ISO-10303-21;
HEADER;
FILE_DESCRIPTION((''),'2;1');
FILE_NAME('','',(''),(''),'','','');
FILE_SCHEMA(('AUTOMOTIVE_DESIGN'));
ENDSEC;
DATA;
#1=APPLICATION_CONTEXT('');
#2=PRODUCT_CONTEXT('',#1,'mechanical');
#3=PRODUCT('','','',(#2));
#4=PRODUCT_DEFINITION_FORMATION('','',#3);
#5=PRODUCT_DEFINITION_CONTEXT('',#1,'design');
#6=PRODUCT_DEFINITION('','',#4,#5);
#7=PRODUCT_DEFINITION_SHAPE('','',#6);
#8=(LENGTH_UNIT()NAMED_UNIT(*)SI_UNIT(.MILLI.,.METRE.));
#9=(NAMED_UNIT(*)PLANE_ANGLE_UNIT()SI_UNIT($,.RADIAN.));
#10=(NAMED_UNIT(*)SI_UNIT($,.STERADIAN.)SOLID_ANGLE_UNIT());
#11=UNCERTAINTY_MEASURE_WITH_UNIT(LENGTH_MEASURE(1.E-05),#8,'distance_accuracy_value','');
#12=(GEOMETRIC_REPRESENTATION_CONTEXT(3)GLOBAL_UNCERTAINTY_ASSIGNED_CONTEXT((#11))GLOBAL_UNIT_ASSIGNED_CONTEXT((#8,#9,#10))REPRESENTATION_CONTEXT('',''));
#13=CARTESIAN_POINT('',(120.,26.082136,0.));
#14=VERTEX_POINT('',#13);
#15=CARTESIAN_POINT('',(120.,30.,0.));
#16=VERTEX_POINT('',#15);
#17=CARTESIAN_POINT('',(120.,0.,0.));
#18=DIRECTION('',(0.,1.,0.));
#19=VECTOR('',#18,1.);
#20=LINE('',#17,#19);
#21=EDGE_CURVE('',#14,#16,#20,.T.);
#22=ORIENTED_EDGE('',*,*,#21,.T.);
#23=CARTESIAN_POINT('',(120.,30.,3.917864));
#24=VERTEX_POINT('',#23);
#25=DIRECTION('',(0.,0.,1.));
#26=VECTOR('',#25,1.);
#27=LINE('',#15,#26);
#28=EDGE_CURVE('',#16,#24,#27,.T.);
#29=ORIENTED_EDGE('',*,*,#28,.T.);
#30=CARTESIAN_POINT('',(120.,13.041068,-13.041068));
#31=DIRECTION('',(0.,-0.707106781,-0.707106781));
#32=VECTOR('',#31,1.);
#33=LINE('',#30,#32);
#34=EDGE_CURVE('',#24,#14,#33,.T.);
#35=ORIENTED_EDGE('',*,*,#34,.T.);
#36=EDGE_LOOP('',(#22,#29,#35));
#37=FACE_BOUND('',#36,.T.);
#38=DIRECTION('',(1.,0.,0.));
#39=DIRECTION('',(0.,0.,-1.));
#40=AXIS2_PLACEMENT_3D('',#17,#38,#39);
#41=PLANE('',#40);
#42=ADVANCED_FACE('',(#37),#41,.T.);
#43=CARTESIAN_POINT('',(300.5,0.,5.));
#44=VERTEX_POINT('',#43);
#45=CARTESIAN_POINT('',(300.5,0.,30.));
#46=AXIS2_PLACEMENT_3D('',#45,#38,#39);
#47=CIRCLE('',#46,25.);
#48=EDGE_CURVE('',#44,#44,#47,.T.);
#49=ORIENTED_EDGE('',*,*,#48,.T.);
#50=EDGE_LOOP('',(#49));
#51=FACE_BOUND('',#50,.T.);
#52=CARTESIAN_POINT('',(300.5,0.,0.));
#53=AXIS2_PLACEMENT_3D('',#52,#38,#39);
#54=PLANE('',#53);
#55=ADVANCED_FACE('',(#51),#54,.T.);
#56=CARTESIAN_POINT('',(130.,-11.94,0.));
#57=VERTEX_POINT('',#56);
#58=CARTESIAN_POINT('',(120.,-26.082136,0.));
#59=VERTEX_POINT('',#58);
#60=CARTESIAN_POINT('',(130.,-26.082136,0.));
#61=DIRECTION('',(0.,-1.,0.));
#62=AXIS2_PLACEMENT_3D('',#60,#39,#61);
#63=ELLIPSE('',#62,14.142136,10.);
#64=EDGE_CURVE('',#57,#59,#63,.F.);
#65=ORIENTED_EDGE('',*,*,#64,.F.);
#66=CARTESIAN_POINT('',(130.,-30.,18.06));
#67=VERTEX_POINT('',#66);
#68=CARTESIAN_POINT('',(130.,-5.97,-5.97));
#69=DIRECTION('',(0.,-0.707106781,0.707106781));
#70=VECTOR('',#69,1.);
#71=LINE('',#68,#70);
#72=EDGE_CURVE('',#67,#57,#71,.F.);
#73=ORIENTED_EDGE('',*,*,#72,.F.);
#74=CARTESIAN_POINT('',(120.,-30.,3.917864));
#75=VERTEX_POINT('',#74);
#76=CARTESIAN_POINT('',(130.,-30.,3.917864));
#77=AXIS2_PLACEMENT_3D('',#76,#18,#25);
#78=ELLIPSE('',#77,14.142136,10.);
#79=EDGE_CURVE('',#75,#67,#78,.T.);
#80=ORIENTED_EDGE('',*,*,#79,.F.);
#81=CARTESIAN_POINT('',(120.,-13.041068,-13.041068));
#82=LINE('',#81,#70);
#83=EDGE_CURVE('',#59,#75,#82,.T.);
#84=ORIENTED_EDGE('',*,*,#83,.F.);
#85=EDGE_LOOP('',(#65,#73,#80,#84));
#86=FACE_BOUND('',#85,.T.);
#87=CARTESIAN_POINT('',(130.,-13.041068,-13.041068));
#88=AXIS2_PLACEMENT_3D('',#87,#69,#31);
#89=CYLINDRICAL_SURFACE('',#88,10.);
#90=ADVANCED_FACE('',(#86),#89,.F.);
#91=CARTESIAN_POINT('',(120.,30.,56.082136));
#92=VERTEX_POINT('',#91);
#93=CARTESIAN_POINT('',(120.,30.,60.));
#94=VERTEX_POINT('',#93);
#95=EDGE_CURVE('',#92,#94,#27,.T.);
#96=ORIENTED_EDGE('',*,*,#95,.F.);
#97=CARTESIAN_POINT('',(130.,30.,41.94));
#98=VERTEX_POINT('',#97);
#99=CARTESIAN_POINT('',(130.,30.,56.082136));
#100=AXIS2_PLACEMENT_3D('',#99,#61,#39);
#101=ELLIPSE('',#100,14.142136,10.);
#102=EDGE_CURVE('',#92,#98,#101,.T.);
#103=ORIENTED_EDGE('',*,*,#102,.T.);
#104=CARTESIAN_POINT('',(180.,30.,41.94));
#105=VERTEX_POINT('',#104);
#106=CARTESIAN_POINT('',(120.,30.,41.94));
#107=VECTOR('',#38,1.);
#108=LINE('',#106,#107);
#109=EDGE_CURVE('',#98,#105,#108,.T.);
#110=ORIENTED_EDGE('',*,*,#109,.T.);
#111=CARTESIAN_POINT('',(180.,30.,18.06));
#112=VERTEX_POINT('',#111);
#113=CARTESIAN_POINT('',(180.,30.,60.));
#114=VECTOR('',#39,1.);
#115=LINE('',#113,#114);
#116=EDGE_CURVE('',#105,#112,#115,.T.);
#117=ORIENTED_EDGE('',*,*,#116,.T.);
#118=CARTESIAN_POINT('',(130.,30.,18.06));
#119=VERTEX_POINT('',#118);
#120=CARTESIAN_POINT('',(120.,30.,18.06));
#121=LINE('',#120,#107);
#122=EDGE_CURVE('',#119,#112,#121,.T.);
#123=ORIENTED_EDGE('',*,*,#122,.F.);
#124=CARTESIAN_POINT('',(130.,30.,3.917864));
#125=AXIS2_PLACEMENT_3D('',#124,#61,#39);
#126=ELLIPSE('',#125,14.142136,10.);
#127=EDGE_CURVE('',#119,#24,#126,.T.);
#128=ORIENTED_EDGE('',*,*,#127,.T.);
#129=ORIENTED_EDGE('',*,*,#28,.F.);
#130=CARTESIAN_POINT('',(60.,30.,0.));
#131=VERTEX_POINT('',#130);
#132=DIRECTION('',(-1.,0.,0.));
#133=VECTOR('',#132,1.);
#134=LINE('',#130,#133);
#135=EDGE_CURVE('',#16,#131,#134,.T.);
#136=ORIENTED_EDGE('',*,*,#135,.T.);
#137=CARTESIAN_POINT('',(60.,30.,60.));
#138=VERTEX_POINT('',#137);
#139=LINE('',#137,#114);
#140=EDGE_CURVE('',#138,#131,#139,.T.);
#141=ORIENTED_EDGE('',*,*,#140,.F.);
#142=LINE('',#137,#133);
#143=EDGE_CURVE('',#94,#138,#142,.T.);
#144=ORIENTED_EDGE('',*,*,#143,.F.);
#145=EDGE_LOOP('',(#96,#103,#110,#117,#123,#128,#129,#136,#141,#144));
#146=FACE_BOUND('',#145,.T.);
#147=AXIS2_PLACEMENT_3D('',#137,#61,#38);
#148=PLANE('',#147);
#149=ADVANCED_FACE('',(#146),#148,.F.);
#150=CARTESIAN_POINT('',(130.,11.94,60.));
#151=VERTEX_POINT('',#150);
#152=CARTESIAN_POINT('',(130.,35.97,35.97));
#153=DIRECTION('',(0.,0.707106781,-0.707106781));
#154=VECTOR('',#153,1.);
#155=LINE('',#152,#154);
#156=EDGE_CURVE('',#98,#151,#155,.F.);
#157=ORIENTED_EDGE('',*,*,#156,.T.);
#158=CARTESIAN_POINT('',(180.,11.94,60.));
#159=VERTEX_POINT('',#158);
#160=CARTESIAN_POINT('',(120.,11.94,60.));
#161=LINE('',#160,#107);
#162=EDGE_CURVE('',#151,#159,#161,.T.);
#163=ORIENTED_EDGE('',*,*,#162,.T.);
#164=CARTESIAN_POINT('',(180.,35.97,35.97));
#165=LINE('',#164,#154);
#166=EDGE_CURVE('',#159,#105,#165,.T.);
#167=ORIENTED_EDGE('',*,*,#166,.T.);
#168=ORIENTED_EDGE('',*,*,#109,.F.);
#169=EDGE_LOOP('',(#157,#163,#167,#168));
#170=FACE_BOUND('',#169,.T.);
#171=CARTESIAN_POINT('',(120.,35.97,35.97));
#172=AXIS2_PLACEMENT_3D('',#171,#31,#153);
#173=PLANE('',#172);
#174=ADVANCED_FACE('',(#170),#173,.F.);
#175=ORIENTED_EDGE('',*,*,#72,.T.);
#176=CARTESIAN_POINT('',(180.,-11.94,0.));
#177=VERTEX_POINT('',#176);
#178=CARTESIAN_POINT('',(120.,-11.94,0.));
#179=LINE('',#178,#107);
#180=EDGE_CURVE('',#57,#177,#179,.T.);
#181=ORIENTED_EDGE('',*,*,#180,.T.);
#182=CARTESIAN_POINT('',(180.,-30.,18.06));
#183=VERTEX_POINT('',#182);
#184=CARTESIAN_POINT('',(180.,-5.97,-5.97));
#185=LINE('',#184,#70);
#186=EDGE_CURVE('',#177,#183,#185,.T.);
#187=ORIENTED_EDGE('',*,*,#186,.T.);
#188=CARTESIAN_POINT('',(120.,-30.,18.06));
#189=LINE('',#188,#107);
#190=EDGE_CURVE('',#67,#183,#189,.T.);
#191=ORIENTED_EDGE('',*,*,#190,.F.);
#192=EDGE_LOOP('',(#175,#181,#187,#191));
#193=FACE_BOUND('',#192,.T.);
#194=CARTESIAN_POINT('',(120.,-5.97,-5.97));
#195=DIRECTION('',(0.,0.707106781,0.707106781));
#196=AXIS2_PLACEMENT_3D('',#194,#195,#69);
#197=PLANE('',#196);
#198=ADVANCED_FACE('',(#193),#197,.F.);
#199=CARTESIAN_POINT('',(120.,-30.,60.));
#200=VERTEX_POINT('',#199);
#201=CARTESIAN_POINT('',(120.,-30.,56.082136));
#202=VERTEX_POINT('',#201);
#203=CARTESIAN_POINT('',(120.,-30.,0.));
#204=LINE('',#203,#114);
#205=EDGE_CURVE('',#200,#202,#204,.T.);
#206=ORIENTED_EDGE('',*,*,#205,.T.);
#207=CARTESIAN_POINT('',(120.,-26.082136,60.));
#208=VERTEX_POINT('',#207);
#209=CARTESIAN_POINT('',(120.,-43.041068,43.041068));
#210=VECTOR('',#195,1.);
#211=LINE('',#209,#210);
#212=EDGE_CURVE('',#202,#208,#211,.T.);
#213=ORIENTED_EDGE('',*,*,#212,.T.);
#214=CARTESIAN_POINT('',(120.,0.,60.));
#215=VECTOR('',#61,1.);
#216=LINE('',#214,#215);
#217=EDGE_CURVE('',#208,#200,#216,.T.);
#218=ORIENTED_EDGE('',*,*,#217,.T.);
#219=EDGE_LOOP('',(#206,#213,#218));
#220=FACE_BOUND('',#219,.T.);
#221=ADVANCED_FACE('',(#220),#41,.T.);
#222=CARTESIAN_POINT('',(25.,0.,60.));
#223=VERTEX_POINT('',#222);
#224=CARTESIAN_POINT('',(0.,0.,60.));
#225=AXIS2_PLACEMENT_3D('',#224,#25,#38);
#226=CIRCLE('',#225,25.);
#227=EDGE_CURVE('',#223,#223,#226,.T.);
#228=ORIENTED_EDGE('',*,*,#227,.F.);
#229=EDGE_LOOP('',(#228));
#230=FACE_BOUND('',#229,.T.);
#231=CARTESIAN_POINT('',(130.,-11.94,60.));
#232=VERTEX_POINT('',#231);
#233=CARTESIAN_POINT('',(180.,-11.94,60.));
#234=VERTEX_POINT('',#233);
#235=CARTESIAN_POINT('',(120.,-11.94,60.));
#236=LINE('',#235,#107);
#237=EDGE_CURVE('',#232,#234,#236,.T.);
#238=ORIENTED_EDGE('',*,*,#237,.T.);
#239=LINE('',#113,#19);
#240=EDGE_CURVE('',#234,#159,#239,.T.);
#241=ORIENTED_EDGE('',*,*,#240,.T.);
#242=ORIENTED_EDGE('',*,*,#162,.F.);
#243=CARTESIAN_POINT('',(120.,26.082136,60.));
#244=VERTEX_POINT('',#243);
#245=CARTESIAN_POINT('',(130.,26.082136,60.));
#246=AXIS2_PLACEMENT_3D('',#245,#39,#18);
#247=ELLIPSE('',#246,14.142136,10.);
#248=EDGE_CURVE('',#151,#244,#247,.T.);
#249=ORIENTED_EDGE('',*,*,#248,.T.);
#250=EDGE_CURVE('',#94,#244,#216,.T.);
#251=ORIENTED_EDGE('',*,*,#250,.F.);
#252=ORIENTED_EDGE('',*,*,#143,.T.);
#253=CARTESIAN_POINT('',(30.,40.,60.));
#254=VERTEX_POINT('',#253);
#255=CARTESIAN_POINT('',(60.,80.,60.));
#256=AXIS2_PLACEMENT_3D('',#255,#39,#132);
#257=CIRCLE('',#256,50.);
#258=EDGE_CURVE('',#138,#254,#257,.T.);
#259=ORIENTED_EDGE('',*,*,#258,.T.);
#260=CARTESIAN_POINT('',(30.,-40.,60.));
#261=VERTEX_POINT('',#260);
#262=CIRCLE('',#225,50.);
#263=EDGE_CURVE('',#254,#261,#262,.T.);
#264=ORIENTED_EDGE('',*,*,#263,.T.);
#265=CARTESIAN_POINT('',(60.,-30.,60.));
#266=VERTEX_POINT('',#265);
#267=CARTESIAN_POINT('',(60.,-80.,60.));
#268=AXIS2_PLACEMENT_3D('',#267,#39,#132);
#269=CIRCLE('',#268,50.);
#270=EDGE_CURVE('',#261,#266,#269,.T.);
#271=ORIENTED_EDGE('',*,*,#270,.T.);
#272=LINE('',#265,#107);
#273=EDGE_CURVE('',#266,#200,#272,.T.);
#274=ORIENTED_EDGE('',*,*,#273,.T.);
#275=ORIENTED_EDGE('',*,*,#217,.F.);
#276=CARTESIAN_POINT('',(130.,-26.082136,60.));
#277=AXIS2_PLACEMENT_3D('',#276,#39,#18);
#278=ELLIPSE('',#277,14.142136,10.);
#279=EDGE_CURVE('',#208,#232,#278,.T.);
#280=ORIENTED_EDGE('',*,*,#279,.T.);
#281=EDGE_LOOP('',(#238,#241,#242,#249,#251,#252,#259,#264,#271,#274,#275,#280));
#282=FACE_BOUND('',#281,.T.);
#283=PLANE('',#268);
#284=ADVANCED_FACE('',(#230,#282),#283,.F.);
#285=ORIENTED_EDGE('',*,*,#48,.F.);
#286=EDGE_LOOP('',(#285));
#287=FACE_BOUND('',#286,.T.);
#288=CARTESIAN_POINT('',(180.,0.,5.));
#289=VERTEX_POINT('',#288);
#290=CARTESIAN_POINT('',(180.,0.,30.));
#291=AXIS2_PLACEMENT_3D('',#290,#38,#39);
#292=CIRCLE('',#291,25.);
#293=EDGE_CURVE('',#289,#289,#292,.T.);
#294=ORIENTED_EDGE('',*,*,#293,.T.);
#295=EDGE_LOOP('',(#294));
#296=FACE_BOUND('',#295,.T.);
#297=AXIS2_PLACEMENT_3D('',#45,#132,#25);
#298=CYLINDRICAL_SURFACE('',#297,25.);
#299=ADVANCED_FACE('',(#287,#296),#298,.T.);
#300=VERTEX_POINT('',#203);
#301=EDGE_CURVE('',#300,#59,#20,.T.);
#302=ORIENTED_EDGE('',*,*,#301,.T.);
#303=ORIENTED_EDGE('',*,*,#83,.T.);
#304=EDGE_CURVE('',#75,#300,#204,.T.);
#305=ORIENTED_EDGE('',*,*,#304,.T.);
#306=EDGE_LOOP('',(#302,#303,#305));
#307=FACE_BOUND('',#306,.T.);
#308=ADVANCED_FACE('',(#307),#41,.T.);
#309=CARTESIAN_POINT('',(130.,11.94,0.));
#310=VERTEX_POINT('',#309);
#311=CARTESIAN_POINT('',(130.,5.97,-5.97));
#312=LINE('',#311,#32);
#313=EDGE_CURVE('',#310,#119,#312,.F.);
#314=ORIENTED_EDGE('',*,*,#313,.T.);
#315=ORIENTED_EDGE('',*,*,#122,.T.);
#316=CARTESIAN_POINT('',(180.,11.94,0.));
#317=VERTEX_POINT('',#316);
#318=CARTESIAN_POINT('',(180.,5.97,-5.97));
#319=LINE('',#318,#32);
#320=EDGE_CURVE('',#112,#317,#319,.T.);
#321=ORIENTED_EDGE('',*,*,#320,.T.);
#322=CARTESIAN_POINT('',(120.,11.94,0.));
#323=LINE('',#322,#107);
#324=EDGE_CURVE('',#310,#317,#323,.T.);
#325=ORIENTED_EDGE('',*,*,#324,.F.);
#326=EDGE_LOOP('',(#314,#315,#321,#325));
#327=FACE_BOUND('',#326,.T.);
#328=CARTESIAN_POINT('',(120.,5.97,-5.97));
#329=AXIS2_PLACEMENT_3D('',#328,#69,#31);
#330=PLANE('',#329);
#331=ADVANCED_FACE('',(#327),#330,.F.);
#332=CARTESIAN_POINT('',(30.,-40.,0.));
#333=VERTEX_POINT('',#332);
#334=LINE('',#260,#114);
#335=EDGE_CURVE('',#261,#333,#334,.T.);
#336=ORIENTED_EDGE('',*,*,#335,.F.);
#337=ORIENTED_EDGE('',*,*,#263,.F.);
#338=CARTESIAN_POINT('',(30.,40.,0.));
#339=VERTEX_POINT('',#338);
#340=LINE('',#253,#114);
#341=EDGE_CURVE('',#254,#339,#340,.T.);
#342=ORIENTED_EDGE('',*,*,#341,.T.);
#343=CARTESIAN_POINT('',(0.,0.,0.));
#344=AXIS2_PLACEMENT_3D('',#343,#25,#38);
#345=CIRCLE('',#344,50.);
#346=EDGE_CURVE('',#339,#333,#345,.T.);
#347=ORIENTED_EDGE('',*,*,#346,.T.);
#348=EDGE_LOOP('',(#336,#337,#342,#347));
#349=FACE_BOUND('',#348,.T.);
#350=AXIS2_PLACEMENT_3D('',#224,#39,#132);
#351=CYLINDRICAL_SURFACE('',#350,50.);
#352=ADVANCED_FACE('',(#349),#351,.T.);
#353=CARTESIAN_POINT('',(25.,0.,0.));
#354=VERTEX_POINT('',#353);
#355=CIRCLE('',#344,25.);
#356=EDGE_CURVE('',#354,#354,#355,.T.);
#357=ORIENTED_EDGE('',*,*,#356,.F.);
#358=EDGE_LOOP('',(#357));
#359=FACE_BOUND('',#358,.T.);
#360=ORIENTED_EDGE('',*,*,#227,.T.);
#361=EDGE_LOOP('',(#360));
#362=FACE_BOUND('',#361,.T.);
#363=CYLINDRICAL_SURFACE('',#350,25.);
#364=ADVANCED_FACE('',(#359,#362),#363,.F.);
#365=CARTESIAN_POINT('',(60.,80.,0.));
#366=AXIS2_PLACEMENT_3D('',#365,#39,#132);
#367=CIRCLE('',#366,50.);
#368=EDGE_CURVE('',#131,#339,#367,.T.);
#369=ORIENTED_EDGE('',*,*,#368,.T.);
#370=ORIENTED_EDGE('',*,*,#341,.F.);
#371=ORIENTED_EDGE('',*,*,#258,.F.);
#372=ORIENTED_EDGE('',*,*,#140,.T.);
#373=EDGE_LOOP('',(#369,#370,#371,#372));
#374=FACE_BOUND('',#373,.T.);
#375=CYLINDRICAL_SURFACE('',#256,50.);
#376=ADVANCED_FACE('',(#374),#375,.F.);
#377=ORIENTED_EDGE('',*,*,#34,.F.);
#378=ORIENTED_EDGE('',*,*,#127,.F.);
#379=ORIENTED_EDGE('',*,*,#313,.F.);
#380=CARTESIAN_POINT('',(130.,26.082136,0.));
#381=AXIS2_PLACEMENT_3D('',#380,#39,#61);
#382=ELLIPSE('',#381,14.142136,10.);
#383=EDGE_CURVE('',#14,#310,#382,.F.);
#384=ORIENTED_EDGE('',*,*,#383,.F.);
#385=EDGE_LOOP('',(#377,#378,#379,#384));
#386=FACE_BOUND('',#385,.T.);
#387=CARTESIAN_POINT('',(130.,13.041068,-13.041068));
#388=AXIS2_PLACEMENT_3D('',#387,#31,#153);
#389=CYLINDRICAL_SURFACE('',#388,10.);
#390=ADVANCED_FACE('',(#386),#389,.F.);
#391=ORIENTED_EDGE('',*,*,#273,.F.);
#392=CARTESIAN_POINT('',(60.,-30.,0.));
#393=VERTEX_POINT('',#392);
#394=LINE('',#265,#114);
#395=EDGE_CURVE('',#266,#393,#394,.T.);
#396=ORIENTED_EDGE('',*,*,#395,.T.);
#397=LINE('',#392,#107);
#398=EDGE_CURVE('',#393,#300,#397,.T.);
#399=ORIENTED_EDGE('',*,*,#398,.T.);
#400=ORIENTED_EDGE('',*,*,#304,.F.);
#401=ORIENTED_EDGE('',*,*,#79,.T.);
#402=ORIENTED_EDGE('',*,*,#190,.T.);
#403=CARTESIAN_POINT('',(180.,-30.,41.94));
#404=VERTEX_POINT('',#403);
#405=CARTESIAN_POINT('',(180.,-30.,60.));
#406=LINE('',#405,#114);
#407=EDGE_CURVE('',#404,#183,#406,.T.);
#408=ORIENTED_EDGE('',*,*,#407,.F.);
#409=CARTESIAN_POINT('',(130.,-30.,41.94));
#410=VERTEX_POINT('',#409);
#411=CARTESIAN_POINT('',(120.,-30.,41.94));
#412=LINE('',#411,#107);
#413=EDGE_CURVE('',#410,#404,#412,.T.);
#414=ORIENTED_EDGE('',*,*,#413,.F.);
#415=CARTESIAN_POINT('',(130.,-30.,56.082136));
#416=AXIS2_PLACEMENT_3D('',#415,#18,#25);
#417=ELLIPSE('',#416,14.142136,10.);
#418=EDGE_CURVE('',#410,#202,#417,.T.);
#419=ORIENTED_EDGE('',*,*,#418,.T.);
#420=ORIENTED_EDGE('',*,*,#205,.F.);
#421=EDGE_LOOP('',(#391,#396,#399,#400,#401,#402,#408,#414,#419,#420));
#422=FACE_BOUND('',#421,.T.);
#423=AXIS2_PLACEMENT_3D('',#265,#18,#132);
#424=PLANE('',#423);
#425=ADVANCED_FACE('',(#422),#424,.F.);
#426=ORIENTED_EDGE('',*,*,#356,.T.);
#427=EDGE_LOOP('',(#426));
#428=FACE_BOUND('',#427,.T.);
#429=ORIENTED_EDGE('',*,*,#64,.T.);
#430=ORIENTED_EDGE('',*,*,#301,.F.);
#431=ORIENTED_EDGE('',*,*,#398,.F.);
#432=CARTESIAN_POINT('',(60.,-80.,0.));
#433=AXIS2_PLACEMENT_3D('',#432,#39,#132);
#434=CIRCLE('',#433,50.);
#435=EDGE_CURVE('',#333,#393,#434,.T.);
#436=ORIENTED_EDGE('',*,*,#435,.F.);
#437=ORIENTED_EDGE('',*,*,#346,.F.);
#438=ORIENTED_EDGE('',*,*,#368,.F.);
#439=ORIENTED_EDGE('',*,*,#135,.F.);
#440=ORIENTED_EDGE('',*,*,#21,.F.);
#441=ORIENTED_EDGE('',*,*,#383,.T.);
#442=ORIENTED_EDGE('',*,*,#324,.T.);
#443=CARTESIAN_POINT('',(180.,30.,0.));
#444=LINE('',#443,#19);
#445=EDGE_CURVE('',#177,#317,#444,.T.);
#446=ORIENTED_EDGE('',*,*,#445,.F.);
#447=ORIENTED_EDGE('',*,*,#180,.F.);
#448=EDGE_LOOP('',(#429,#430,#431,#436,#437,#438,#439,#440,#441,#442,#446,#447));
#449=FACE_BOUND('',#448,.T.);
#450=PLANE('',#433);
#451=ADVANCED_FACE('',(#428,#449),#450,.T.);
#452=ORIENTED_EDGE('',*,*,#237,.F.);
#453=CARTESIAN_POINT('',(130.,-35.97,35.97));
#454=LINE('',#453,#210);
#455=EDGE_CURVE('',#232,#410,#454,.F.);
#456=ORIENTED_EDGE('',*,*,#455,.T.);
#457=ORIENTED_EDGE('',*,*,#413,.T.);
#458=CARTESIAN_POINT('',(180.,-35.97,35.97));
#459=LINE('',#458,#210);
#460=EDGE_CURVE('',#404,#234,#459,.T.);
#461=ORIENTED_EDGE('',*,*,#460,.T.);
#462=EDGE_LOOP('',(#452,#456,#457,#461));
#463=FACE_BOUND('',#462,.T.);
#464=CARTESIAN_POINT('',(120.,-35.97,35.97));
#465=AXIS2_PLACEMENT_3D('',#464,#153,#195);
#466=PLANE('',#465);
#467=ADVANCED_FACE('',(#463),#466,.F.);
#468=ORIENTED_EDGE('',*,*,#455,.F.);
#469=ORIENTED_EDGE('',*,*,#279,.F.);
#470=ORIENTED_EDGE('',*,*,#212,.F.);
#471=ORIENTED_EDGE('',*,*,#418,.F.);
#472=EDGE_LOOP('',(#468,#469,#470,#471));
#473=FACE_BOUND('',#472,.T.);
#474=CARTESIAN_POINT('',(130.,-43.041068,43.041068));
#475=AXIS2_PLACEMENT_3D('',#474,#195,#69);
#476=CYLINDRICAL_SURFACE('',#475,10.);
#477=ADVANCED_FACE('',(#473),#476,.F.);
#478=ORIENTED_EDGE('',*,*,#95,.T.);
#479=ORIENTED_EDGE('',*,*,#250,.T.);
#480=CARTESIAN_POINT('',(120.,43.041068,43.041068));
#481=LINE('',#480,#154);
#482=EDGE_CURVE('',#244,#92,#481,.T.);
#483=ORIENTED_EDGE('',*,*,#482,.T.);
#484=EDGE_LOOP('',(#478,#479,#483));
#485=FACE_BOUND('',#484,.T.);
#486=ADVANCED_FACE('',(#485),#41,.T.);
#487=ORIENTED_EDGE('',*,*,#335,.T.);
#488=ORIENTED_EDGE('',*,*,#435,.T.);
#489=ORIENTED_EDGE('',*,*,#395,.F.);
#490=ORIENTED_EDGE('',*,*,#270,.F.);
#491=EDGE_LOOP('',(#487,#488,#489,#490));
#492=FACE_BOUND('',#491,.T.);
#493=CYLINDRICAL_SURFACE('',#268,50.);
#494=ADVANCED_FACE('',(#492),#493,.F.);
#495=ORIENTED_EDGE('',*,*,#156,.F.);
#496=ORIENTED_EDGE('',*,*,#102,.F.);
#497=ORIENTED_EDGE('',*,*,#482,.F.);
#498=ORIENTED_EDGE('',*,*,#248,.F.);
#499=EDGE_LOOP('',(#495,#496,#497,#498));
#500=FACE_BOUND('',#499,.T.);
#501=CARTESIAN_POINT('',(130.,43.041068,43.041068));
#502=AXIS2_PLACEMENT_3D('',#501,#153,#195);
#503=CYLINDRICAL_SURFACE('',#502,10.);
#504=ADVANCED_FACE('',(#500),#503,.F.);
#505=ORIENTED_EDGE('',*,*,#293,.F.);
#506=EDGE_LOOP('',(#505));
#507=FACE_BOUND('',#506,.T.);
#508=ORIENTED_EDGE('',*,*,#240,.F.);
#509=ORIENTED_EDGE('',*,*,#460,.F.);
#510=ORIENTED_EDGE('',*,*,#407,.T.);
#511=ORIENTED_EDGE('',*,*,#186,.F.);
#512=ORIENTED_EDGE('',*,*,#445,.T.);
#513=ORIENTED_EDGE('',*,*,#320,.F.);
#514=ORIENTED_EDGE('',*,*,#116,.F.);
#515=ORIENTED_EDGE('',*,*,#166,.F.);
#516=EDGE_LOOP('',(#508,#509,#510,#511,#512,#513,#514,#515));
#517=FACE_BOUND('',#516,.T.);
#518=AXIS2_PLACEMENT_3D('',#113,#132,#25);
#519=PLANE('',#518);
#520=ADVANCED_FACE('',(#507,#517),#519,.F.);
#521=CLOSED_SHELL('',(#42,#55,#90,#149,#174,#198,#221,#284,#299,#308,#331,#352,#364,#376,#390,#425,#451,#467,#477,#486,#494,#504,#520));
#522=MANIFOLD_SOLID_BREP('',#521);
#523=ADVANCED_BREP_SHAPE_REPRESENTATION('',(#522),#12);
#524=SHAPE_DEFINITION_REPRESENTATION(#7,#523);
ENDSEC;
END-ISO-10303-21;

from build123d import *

# Parameters (mm, degrees)
SKETCH1_R           = 25
BOSS_EXTRUDE1_DEPTH = 60
CUT_EXTRUDE1_DEPTH  = 60
SKETCH2_3_R         = 25
BOSS_EXTRUDE2_DEPTH = 120.5
FILLET1_R           = 10


with BuildPart() as part:
    # Sketch1 → Boss-Extrude1 (new body)
    with BuildSketch(Plane.XY):
        with BuildLine():
            Line((60, 30), (180, 30))
            Line((180, 30), (180, -30))
            Line((180, -30), (60, -30))
            ThreePointArc((60, -30), (44.188611699, -32.565835097), (30, -40))
            ThreePointArc((30, -40), (-50, 0), (30, 40))
            ThreePointArc((30, 40), (44.188611699, 32.565835097), (60, 30))
        make_face()
        Circle(SKETCH1_R, mode=Mode.SUBTRACT)
    extrude(amount=BOSS_EXTRUDE1_DEPTH)

    # Sketch2 → Cut-Extrude1 (cut)
    with BuildSketch(Plane(origin=(180, 0, 0), x_dir=(0, 0, -1), z_dir=(1, 0, 0))):
        Polygon((-60, 11.94), (-41.94, 30), (-60, 30), align=None)
        Polygon((0, 30), (-18.06, 30), (0, 11.94), align=None)
        Polygon((0, -30), (0, -11.94), (-18.06, -30), align=None)
        Polygon((-41.94, -30), (-60, -11.94), (-60, -30), align=None)
    extrude(amount=-CUT_EXTRUDE1_DEPTH, mode=Mode.SUBTRACT)

    # Sketch2<3> → Boss-Extrude2 (add)
    with BuildSketch(Plane(origin=(180, 0, 0), x_dir=(0, 0, -1), z_dir=(1, 0, 0))):
        with Locations((-30, 0)):
            Circle(SKETCH2_3_R)
    extrude(amount=BOSS_EXTRUDE2_DEPTH)

    # Fillet1
    fillet1_edges = [part.edges().sort_by_distance(p)[0] for p in [
        (120, -20.97, 50.97),
        (120, -20.97, 9.03),
        (120, 20.97, 9.03),
        (120, 20.97, 50.97),
    ]]
    fillet(fillet1_edges, radius=FILLET1_R)


solid = part.part
